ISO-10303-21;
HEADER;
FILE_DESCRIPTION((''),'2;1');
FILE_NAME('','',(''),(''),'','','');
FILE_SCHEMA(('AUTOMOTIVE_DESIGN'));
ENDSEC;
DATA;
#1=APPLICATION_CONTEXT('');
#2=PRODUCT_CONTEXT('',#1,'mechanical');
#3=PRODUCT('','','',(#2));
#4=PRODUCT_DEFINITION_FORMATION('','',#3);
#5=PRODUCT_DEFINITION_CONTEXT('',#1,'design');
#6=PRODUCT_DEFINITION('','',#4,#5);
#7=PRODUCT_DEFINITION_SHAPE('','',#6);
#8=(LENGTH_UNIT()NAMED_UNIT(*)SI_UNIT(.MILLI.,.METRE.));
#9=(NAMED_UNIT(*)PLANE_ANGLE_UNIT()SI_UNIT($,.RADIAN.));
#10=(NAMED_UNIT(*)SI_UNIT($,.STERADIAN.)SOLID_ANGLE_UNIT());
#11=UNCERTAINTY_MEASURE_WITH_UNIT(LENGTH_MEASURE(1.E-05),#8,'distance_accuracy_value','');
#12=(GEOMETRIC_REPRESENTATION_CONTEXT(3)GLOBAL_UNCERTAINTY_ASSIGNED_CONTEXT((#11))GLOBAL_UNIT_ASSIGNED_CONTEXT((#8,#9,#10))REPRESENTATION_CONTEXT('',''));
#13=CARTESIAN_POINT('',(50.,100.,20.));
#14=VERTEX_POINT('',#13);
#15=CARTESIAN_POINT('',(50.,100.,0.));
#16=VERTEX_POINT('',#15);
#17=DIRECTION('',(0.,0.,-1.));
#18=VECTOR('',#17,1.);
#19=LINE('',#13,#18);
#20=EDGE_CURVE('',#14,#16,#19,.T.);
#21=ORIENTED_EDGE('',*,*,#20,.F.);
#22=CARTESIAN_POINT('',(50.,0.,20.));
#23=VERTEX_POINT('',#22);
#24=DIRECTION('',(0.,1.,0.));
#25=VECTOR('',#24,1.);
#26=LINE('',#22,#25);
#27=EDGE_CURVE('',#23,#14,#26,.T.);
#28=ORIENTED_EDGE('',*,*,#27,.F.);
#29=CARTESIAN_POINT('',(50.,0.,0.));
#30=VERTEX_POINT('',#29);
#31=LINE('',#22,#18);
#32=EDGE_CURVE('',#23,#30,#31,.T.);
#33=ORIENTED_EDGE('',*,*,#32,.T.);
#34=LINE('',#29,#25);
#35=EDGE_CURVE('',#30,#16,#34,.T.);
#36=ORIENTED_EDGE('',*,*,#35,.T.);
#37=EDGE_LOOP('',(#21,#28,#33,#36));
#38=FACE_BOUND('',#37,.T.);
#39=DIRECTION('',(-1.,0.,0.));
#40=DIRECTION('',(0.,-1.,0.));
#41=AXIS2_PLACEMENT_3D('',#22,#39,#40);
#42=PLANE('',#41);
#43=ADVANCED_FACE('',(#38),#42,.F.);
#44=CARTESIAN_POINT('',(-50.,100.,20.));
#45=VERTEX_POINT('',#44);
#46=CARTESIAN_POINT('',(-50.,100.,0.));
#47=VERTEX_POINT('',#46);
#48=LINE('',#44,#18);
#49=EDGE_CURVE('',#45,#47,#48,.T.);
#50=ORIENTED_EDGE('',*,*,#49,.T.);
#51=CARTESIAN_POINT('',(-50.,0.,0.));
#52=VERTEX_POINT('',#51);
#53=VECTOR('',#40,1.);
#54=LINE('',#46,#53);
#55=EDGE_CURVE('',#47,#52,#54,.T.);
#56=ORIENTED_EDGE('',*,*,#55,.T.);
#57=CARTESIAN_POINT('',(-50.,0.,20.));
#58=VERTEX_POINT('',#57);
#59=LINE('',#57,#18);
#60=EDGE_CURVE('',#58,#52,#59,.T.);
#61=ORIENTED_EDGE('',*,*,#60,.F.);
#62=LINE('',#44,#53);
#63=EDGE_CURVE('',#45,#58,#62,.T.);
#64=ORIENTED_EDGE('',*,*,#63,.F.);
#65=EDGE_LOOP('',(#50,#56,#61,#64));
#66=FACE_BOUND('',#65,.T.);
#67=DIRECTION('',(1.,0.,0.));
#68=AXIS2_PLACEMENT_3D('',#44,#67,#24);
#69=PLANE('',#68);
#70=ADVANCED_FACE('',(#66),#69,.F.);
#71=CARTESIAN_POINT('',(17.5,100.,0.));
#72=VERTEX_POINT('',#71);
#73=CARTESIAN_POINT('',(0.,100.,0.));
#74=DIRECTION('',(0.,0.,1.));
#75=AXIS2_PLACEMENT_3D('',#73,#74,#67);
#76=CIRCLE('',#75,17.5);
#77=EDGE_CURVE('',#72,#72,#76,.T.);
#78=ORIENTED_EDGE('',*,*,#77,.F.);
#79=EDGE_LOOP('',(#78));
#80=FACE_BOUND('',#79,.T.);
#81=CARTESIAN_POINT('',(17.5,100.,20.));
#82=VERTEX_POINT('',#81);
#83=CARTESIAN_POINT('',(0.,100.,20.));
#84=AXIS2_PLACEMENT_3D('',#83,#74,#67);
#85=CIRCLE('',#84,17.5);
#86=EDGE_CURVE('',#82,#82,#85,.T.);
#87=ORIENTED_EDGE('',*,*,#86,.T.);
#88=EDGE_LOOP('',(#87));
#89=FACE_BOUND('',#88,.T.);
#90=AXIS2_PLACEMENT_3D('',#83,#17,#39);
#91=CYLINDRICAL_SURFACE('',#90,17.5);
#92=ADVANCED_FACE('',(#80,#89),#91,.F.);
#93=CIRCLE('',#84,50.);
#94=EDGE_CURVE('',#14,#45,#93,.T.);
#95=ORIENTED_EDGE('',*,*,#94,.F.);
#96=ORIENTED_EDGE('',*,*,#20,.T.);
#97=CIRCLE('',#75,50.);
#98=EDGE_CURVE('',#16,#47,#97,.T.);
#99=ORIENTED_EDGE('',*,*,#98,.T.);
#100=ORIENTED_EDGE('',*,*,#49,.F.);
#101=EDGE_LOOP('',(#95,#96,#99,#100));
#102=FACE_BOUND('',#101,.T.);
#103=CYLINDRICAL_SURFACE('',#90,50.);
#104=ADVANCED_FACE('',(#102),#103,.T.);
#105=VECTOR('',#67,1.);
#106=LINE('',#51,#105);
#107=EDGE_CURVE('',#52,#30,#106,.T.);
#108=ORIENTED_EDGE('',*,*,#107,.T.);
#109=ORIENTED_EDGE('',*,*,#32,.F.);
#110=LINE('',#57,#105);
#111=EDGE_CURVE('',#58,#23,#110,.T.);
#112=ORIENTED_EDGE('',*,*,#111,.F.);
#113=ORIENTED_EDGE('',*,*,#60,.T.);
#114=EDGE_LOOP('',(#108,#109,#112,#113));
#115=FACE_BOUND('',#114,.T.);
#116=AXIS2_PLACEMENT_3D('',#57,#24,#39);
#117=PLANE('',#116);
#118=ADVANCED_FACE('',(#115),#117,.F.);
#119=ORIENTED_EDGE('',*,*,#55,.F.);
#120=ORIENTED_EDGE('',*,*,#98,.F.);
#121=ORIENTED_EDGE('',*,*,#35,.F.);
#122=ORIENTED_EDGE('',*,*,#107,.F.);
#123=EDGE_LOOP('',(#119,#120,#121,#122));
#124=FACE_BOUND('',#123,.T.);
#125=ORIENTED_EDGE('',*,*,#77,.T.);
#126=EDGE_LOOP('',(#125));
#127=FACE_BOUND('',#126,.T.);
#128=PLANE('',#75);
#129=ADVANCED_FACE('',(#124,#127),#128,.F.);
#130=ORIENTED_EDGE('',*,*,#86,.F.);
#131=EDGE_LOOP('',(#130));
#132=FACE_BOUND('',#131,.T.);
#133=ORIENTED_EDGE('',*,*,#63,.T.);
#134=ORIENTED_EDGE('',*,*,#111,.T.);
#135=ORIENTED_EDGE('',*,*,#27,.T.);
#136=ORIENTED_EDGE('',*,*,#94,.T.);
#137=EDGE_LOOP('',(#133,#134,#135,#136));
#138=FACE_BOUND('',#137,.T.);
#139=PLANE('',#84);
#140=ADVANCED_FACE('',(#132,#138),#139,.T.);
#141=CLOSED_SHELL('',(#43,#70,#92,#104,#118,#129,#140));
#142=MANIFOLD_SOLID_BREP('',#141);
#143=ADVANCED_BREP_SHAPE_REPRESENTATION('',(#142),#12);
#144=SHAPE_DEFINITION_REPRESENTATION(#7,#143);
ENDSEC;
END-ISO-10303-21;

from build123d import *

# Parameters (mm, degrees)
SKETCH1_R           = 17.5
BOSS_EXTRUDE1_DEPTH = 20


with BuildPart() as part:
    # Sketch1 → Boss-Extrude1 (new body)
    with BuildSketch(Plane.XY):
        with BuildLine():
            Line((-50, 100), (-50, 0))
            Line((-50, 0), (50, 0))
            Line((50, 0), (50, 100))
            ThreePointArc((50, 100), (0, 150), (-50, 100))
        make_face()
        with Locations((0, 100)):
            Circle(SKETCH1_R, mode=Mode.SUBTRACT)
    extrude(amount=BOSS_EXTRUDE1_DEPTH)


solid = part.part
